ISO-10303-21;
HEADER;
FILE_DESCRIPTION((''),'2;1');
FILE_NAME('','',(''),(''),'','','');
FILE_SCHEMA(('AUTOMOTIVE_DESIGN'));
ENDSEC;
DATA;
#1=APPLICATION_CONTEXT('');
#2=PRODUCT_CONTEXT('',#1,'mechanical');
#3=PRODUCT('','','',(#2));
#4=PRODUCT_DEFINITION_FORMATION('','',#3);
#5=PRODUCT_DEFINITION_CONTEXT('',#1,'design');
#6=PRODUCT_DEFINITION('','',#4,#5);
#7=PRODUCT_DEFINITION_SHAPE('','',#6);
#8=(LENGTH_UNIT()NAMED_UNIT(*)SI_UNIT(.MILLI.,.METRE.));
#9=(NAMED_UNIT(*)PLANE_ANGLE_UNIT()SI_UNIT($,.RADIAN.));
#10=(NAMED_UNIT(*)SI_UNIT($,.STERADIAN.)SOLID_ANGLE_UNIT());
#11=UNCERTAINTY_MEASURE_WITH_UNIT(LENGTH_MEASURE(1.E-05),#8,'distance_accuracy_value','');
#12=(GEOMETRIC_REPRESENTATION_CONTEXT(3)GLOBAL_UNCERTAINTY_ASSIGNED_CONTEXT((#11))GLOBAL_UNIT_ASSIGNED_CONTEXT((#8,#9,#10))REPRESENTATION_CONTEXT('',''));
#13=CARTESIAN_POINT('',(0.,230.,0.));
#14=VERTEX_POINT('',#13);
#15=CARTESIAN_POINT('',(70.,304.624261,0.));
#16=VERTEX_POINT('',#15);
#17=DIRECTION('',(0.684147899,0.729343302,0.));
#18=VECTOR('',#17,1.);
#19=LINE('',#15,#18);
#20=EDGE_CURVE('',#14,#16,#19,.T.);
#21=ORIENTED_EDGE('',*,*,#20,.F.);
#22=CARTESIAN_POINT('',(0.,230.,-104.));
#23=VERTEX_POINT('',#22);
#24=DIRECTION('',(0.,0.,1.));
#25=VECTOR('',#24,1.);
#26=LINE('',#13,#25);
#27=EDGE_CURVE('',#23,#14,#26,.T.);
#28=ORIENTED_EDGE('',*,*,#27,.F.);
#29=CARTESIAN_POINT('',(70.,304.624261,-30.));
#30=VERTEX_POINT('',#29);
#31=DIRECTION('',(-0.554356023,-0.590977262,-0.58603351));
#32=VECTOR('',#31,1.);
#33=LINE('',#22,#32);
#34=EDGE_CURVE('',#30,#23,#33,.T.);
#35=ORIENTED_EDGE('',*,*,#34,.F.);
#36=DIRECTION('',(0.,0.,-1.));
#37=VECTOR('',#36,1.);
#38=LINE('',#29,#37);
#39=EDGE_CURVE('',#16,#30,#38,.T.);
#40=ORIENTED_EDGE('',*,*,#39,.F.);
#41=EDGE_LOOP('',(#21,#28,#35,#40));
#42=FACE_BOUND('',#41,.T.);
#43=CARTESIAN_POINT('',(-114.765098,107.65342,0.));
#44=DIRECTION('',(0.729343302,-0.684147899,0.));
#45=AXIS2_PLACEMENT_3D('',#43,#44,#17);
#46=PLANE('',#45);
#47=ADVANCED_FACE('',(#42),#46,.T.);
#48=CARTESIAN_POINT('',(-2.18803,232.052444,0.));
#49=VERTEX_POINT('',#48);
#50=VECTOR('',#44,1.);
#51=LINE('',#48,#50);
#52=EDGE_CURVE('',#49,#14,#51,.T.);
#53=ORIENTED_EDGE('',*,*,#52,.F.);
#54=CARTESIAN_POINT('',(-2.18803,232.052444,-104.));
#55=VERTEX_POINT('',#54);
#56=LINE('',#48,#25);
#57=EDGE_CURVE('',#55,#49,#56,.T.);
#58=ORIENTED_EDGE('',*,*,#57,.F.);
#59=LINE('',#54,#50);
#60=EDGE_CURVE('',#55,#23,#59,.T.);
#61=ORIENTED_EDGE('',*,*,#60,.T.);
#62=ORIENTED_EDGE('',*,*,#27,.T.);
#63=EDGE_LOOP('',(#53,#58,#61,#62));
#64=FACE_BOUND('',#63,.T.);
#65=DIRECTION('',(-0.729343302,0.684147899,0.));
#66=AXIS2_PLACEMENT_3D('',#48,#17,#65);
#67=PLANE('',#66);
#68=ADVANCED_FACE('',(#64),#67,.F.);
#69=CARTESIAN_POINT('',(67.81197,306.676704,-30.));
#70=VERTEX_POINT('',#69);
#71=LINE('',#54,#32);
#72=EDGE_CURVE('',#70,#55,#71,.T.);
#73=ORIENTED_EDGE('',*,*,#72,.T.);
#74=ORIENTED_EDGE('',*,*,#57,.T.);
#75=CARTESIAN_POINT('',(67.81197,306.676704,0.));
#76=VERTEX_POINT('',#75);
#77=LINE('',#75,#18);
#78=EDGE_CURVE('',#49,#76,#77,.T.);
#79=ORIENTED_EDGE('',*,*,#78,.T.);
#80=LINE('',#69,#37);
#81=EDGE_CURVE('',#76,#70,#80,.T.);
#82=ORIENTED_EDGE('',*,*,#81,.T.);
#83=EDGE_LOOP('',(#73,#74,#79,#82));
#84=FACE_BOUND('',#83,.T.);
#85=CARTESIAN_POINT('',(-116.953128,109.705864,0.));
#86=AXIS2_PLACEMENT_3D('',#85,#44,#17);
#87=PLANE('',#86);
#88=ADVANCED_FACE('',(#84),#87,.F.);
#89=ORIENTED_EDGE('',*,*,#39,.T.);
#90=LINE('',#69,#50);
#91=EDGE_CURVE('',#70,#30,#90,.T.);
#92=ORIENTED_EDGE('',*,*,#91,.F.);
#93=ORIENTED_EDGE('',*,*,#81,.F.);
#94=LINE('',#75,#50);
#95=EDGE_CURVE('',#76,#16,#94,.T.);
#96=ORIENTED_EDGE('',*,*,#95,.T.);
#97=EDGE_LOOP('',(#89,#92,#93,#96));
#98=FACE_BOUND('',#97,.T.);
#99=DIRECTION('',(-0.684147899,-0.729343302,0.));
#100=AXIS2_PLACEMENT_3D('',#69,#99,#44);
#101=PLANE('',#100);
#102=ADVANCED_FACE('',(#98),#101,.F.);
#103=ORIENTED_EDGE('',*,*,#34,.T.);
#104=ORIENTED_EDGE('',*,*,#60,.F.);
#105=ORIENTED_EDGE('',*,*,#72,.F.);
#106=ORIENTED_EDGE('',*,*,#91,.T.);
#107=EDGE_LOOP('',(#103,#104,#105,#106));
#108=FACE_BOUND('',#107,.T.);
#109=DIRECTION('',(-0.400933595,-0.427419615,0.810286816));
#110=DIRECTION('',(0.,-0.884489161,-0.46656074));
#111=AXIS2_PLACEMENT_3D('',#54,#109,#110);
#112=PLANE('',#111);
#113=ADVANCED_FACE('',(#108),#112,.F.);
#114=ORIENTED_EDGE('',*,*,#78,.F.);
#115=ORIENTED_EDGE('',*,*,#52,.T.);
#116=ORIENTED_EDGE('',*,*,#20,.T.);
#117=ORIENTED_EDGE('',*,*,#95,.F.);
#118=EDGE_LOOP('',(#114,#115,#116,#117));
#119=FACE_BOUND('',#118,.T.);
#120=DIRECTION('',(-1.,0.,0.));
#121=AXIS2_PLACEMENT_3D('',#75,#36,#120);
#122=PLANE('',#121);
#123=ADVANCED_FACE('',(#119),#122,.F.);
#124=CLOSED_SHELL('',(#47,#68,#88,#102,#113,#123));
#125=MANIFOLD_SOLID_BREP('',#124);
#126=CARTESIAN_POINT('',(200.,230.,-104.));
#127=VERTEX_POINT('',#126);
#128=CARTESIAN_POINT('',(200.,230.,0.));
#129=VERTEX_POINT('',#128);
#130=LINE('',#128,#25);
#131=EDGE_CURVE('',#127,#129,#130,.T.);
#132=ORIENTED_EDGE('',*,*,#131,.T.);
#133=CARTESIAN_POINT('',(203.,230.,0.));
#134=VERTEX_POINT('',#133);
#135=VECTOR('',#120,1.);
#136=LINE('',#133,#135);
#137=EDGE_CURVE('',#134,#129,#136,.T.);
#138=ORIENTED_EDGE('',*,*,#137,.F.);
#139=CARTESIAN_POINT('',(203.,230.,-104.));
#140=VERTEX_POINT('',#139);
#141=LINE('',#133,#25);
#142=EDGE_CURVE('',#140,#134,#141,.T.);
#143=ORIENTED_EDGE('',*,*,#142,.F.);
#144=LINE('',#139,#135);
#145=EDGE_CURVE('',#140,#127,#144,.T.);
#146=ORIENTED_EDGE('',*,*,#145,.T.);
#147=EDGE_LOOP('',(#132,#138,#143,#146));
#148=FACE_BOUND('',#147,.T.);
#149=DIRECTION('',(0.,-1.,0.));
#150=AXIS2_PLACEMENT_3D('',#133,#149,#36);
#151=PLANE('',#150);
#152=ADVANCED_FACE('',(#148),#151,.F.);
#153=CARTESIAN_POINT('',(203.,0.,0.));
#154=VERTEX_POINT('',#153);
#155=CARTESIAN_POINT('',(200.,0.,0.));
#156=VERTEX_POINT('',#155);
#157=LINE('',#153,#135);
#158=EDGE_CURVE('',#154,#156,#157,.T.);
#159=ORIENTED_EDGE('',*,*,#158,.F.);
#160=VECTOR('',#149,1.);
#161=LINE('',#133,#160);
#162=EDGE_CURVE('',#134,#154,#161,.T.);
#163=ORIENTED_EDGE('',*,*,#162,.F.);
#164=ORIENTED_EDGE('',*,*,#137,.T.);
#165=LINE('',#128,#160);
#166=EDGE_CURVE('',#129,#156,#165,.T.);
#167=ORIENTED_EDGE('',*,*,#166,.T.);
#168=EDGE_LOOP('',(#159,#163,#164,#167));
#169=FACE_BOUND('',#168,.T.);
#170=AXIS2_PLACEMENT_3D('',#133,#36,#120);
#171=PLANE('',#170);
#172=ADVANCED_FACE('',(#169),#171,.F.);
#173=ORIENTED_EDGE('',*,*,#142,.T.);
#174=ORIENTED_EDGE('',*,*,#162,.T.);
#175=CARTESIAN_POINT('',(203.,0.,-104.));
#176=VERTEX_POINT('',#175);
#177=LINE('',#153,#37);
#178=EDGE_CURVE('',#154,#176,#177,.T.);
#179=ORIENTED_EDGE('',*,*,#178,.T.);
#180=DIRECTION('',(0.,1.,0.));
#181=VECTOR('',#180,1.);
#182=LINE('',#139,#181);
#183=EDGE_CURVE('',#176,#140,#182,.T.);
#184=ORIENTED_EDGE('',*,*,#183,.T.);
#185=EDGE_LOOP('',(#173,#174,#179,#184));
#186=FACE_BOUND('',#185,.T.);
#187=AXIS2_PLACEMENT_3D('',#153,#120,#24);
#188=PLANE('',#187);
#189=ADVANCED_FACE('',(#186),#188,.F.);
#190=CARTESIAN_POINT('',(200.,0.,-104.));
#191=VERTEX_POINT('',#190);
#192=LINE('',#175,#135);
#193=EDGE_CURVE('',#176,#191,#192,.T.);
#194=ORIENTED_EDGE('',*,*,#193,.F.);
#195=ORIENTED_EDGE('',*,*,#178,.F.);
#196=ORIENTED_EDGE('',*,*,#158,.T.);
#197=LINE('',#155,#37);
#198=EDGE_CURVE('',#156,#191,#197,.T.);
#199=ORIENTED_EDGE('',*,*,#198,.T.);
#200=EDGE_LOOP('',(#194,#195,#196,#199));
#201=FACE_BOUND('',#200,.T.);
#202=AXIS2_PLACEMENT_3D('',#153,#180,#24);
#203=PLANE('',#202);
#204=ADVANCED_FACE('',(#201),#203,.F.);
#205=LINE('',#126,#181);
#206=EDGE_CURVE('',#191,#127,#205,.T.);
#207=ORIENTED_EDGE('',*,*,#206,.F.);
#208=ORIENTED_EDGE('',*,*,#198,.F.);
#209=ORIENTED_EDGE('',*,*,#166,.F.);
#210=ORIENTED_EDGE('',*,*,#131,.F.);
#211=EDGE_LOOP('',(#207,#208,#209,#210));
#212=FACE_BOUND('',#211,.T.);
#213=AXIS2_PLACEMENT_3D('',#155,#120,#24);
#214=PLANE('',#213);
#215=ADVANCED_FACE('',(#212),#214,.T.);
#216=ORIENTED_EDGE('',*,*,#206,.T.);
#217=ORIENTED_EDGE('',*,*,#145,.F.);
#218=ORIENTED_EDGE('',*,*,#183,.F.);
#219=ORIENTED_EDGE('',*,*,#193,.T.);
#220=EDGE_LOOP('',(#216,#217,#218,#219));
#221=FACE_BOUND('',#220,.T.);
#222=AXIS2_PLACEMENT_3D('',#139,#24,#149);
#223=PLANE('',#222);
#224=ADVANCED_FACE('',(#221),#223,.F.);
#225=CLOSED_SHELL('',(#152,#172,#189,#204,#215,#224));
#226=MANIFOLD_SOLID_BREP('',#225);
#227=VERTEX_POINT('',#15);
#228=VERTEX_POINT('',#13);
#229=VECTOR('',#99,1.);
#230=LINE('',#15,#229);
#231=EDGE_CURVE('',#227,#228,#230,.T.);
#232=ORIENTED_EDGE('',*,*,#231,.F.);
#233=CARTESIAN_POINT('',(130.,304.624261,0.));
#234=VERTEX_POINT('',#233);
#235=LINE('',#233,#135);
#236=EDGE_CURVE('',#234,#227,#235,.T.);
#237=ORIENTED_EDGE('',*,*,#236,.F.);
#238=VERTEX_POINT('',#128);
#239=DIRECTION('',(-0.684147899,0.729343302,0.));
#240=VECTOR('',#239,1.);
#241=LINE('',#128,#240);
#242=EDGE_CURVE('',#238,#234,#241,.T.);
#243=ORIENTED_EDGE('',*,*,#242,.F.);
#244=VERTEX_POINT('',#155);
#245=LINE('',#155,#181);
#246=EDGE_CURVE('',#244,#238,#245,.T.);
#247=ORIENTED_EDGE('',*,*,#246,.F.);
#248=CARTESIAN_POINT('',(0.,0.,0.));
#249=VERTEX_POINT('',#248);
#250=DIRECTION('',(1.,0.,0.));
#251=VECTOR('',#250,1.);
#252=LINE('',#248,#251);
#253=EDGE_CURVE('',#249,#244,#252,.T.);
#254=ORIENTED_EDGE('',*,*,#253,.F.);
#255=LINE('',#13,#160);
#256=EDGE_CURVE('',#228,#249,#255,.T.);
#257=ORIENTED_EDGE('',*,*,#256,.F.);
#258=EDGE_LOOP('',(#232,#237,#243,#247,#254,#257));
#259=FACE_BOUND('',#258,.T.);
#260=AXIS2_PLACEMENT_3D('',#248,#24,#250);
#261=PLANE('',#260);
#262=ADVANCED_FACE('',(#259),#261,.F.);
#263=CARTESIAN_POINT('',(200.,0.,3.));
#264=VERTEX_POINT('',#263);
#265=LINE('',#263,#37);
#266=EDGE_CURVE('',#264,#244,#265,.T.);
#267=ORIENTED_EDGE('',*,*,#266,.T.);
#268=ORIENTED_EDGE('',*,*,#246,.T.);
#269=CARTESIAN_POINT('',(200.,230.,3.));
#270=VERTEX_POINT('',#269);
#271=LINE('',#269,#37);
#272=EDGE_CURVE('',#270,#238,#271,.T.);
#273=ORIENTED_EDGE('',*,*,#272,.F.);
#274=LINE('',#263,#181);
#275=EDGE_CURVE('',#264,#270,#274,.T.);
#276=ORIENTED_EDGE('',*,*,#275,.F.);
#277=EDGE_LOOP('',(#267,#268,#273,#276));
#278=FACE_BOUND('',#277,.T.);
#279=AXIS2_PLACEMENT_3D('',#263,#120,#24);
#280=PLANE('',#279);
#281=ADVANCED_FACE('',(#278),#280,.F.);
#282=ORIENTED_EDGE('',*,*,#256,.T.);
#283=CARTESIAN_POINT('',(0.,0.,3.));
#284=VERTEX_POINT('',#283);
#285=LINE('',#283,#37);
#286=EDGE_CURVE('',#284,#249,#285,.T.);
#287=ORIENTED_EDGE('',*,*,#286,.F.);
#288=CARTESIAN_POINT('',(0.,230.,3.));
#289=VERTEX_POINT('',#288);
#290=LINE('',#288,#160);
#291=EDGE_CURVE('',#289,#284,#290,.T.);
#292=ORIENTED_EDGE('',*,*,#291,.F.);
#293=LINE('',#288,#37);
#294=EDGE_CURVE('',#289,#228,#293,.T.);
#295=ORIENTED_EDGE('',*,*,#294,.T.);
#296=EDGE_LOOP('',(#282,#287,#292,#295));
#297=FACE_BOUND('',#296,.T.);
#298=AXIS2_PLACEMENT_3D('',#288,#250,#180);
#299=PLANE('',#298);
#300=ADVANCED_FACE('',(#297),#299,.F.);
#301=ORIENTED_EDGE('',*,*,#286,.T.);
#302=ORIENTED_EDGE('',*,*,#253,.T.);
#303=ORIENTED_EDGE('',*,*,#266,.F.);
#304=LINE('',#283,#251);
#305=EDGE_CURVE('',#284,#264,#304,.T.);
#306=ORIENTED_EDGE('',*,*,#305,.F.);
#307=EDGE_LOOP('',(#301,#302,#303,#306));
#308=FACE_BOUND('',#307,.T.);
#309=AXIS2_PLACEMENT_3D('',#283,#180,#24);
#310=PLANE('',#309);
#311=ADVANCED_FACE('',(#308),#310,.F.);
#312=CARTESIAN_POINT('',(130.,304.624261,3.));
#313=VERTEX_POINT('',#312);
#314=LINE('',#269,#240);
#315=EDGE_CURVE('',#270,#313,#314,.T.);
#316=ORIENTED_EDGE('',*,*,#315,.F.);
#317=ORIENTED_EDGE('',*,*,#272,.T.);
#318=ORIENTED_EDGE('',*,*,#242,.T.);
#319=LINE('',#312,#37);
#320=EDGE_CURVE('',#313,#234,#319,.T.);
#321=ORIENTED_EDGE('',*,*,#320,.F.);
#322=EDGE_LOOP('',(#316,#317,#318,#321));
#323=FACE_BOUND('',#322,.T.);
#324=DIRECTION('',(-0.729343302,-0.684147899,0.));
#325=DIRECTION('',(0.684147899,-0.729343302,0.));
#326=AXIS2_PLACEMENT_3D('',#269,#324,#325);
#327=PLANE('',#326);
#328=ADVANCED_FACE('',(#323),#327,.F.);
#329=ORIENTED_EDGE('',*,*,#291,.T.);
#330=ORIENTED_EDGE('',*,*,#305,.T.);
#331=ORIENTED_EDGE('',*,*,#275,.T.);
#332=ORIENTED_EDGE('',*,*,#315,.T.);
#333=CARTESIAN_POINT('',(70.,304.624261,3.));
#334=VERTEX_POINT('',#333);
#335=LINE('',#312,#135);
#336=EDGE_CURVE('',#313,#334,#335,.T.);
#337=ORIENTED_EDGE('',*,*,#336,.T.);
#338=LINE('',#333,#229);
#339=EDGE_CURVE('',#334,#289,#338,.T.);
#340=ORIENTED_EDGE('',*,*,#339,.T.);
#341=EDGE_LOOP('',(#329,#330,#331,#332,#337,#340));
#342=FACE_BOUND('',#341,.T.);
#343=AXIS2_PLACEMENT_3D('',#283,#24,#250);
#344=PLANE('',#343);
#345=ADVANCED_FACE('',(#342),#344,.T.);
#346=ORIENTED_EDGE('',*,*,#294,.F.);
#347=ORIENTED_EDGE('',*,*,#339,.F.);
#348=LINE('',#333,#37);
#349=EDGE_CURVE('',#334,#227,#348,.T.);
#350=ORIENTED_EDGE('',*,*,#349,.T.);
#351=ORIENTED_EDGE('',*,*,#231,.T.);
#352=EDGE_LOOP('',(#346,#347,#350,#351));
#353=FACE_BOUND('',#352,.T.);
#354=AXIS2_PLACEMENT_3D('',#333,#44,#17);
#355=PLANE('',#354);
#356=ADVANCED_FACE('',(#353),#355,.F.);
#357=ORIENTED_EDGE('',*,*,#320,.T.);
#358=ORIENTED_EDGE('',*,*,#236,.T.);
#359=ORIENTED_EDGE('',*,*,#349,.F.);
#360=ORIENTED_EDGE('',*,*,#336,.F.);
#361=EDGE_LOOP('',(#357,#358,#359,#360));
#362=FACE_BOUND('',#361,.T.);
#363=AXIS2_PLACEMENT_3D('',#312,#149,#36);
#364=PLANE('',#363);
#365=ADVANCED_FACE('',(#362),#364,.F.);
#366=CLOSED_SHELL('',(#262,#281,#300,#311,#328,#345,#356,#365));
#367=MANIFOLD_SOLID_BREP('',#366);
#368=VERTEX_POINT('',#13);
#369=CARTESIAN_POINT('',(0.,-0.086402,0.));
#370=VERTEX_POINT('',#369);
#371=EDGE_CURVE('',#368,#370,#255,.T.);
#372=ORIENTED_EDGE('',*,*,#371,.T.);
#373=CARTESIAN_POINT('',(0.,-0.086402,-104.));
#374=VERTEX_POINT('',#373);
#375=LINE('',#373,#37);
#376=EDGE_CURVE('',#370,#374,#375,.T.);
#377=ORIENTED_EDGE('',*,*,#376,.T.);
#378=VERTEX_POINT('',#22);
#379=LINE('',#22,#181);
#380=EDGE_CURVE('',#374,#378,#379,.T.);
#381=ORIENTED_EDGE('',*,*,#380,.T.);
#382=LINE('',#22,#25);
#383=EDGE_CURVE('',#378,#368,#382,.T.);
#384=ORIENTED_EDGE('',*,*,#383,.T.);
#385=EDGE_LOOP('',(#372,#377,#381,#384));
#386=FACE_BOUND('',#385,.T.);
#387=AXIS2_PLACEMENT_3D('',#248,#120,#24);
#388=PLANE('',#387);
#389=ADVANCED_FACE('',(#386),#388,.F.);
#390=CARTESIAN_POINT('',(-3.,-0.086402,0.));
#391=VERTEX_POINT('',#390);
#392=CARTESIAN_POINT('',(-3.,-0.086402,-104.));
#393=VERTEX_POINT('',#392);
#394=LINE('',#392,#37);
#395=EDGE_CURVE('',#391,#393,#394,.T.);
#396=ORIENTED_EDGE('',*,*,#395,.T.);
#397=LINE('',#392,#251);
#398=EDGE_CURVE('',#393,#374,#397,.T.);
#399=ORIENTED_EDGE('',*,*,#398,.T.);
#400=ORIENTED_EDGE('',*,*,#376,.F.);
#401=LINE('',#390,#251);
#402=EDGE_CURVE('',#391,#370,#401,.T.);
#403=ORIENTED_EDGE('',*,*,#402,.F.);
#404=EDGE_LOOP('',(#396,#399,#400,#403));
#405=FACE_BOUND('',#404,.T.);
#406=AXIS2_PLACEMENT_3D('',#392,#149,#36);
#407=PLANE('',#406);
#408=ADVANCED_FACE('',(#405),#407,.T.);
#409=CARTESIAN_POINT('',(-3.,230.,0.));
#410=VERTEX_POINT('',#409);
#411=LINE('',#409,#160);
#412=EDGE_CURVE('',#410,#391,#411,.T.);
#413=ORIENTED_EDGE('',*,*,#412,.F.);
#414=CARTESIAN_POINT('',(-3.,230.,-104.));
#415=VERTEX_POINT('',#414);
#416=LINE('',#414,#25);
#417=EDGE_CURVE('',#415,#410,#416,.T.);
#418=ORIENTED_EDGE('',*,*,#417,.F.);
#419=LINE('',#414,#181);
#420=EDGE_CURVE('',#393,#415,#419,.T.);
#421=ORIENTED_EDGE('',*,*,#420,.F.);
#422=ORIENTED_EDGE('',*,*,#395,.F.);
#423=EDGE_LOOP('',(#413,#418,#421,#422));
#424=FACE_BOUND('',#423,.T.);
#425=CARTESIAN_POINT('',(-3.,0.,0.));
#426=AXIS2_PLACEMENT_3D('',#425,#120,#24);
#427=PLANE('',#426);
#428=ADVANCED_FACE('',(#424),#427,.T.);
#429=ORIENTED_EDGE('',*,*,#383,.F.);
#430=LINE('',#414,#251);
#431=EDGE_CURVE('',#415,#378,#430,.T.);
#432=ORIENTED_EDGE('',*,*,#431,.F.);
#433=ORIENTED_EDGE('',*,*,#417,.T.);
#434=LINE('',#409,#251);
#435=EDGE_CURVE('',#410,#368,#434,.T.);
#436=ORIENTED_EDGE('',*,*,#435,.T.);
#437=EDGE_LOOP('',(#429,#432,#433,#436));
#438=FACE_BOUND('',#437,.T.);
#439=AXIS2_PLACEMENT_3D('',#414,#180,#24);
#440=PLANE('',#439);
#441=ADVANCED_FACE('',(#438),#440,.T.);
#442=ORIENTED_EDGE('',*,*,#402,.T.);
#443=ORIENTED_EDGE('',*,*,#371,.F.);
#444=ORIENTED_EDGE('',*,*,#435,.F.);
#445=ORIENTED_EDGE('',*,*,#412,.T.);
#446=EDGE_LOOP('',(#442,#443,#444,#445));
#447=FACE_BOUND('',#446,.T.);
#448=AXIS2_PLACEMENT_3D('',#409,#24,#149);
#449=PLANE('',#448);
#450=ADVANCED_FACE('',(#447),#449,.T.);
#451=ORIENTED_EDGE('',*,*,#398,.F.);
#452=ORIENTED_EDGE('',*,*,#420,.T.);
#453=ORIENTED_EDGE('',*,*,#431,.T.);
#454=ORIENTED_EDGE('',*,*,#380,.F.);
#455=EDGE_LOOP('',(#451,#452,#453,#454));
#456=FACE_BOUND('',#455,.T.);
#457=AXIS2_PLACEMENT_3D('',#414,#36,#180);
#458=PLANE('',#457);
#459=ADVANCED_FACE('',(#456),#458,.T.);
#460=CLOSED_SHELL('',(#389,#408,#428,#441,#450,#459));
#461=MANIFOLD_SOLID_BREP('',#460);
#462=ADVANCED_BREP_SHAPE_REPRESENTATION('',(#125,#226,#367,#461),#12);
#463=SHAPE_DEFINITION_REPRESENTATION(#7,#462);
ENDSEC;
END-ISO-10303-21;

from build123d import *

# Parameters (mm, degrees)
BOSS_EXTRU_1_DEPTH = 3
BOSS_EXTRU_2_DEPTH = 3
ESQUISSE13_W       = 104
ESQUISSE13_H       = 230
BOSS_EXTRU_3_DEPTH = 3
ESQUISSE12_W       = 104
ESQUISSE12_H       = 230.086402331
BOSS_EXTRU_4_DEPTH = 3


with BuildPart() as part:
    # Esquisse1 → Boss.-Extru.1 (new body)
    with BuildSketch(Plane.XY):
        Polygon((0, 0), (200, 0), (200, 230), (130, 304.624260642), (70, 304.624260642), (0, 230), align=None)
    extrude(amount=BOSS_EXTRU_1_DEPTH)


with BuildPart() as body_2:
    # Esquisse10 → Boss.-Extru.2 (new body)
    with BuildSketch(Plane(origin=(-114.765098189, 107.653420002, 0), x_dir=(-0.6841478990944246, -0.7293433019948049, 0), z_dir=(-0.7293433019948049, 0.6841478990944246, 0))):
        Polygon((-167.748959459, 0), (-167.748959459, -104), (-270.066017061, -30), (-270.066017061, 0), align=None)
    extrude(amount=BOSS_EXTRU_2_DEPTH)


with BuildPart() as body_3:
    # Esquisse13 → Boss.-Extru.3 (new body)
    with BuildSketch(Plane(origin=(200, 0, 0), x_dir=(0, 0, -1), z_dir=(1, 0, 0))):
        with Locations((52, 115)):
            Rectangle(ESQUISSE13_W, ESQUISSE13_H)
    extrude(amount=BOSS_EXTRU_3_DEPTH)


with BuildPart() as body_4:
    # Esquisse12 → Boss.-Extru.4 (new body)
    with BuildSketch(Plane(origin=(0, 0, 0), x_dir=(0, 0, -1), z_dir=(1, 0, 0))):
        with Locations((52, 114.956798835)):
            Rectangle(ESQUISSE12_W, ESQUISSE12_H)
    extrude(amount=-BOSS_EXTRU_4_DEPTH)


solid = Compound([part.part, body_2.part, body_3.part, body_4.part])
